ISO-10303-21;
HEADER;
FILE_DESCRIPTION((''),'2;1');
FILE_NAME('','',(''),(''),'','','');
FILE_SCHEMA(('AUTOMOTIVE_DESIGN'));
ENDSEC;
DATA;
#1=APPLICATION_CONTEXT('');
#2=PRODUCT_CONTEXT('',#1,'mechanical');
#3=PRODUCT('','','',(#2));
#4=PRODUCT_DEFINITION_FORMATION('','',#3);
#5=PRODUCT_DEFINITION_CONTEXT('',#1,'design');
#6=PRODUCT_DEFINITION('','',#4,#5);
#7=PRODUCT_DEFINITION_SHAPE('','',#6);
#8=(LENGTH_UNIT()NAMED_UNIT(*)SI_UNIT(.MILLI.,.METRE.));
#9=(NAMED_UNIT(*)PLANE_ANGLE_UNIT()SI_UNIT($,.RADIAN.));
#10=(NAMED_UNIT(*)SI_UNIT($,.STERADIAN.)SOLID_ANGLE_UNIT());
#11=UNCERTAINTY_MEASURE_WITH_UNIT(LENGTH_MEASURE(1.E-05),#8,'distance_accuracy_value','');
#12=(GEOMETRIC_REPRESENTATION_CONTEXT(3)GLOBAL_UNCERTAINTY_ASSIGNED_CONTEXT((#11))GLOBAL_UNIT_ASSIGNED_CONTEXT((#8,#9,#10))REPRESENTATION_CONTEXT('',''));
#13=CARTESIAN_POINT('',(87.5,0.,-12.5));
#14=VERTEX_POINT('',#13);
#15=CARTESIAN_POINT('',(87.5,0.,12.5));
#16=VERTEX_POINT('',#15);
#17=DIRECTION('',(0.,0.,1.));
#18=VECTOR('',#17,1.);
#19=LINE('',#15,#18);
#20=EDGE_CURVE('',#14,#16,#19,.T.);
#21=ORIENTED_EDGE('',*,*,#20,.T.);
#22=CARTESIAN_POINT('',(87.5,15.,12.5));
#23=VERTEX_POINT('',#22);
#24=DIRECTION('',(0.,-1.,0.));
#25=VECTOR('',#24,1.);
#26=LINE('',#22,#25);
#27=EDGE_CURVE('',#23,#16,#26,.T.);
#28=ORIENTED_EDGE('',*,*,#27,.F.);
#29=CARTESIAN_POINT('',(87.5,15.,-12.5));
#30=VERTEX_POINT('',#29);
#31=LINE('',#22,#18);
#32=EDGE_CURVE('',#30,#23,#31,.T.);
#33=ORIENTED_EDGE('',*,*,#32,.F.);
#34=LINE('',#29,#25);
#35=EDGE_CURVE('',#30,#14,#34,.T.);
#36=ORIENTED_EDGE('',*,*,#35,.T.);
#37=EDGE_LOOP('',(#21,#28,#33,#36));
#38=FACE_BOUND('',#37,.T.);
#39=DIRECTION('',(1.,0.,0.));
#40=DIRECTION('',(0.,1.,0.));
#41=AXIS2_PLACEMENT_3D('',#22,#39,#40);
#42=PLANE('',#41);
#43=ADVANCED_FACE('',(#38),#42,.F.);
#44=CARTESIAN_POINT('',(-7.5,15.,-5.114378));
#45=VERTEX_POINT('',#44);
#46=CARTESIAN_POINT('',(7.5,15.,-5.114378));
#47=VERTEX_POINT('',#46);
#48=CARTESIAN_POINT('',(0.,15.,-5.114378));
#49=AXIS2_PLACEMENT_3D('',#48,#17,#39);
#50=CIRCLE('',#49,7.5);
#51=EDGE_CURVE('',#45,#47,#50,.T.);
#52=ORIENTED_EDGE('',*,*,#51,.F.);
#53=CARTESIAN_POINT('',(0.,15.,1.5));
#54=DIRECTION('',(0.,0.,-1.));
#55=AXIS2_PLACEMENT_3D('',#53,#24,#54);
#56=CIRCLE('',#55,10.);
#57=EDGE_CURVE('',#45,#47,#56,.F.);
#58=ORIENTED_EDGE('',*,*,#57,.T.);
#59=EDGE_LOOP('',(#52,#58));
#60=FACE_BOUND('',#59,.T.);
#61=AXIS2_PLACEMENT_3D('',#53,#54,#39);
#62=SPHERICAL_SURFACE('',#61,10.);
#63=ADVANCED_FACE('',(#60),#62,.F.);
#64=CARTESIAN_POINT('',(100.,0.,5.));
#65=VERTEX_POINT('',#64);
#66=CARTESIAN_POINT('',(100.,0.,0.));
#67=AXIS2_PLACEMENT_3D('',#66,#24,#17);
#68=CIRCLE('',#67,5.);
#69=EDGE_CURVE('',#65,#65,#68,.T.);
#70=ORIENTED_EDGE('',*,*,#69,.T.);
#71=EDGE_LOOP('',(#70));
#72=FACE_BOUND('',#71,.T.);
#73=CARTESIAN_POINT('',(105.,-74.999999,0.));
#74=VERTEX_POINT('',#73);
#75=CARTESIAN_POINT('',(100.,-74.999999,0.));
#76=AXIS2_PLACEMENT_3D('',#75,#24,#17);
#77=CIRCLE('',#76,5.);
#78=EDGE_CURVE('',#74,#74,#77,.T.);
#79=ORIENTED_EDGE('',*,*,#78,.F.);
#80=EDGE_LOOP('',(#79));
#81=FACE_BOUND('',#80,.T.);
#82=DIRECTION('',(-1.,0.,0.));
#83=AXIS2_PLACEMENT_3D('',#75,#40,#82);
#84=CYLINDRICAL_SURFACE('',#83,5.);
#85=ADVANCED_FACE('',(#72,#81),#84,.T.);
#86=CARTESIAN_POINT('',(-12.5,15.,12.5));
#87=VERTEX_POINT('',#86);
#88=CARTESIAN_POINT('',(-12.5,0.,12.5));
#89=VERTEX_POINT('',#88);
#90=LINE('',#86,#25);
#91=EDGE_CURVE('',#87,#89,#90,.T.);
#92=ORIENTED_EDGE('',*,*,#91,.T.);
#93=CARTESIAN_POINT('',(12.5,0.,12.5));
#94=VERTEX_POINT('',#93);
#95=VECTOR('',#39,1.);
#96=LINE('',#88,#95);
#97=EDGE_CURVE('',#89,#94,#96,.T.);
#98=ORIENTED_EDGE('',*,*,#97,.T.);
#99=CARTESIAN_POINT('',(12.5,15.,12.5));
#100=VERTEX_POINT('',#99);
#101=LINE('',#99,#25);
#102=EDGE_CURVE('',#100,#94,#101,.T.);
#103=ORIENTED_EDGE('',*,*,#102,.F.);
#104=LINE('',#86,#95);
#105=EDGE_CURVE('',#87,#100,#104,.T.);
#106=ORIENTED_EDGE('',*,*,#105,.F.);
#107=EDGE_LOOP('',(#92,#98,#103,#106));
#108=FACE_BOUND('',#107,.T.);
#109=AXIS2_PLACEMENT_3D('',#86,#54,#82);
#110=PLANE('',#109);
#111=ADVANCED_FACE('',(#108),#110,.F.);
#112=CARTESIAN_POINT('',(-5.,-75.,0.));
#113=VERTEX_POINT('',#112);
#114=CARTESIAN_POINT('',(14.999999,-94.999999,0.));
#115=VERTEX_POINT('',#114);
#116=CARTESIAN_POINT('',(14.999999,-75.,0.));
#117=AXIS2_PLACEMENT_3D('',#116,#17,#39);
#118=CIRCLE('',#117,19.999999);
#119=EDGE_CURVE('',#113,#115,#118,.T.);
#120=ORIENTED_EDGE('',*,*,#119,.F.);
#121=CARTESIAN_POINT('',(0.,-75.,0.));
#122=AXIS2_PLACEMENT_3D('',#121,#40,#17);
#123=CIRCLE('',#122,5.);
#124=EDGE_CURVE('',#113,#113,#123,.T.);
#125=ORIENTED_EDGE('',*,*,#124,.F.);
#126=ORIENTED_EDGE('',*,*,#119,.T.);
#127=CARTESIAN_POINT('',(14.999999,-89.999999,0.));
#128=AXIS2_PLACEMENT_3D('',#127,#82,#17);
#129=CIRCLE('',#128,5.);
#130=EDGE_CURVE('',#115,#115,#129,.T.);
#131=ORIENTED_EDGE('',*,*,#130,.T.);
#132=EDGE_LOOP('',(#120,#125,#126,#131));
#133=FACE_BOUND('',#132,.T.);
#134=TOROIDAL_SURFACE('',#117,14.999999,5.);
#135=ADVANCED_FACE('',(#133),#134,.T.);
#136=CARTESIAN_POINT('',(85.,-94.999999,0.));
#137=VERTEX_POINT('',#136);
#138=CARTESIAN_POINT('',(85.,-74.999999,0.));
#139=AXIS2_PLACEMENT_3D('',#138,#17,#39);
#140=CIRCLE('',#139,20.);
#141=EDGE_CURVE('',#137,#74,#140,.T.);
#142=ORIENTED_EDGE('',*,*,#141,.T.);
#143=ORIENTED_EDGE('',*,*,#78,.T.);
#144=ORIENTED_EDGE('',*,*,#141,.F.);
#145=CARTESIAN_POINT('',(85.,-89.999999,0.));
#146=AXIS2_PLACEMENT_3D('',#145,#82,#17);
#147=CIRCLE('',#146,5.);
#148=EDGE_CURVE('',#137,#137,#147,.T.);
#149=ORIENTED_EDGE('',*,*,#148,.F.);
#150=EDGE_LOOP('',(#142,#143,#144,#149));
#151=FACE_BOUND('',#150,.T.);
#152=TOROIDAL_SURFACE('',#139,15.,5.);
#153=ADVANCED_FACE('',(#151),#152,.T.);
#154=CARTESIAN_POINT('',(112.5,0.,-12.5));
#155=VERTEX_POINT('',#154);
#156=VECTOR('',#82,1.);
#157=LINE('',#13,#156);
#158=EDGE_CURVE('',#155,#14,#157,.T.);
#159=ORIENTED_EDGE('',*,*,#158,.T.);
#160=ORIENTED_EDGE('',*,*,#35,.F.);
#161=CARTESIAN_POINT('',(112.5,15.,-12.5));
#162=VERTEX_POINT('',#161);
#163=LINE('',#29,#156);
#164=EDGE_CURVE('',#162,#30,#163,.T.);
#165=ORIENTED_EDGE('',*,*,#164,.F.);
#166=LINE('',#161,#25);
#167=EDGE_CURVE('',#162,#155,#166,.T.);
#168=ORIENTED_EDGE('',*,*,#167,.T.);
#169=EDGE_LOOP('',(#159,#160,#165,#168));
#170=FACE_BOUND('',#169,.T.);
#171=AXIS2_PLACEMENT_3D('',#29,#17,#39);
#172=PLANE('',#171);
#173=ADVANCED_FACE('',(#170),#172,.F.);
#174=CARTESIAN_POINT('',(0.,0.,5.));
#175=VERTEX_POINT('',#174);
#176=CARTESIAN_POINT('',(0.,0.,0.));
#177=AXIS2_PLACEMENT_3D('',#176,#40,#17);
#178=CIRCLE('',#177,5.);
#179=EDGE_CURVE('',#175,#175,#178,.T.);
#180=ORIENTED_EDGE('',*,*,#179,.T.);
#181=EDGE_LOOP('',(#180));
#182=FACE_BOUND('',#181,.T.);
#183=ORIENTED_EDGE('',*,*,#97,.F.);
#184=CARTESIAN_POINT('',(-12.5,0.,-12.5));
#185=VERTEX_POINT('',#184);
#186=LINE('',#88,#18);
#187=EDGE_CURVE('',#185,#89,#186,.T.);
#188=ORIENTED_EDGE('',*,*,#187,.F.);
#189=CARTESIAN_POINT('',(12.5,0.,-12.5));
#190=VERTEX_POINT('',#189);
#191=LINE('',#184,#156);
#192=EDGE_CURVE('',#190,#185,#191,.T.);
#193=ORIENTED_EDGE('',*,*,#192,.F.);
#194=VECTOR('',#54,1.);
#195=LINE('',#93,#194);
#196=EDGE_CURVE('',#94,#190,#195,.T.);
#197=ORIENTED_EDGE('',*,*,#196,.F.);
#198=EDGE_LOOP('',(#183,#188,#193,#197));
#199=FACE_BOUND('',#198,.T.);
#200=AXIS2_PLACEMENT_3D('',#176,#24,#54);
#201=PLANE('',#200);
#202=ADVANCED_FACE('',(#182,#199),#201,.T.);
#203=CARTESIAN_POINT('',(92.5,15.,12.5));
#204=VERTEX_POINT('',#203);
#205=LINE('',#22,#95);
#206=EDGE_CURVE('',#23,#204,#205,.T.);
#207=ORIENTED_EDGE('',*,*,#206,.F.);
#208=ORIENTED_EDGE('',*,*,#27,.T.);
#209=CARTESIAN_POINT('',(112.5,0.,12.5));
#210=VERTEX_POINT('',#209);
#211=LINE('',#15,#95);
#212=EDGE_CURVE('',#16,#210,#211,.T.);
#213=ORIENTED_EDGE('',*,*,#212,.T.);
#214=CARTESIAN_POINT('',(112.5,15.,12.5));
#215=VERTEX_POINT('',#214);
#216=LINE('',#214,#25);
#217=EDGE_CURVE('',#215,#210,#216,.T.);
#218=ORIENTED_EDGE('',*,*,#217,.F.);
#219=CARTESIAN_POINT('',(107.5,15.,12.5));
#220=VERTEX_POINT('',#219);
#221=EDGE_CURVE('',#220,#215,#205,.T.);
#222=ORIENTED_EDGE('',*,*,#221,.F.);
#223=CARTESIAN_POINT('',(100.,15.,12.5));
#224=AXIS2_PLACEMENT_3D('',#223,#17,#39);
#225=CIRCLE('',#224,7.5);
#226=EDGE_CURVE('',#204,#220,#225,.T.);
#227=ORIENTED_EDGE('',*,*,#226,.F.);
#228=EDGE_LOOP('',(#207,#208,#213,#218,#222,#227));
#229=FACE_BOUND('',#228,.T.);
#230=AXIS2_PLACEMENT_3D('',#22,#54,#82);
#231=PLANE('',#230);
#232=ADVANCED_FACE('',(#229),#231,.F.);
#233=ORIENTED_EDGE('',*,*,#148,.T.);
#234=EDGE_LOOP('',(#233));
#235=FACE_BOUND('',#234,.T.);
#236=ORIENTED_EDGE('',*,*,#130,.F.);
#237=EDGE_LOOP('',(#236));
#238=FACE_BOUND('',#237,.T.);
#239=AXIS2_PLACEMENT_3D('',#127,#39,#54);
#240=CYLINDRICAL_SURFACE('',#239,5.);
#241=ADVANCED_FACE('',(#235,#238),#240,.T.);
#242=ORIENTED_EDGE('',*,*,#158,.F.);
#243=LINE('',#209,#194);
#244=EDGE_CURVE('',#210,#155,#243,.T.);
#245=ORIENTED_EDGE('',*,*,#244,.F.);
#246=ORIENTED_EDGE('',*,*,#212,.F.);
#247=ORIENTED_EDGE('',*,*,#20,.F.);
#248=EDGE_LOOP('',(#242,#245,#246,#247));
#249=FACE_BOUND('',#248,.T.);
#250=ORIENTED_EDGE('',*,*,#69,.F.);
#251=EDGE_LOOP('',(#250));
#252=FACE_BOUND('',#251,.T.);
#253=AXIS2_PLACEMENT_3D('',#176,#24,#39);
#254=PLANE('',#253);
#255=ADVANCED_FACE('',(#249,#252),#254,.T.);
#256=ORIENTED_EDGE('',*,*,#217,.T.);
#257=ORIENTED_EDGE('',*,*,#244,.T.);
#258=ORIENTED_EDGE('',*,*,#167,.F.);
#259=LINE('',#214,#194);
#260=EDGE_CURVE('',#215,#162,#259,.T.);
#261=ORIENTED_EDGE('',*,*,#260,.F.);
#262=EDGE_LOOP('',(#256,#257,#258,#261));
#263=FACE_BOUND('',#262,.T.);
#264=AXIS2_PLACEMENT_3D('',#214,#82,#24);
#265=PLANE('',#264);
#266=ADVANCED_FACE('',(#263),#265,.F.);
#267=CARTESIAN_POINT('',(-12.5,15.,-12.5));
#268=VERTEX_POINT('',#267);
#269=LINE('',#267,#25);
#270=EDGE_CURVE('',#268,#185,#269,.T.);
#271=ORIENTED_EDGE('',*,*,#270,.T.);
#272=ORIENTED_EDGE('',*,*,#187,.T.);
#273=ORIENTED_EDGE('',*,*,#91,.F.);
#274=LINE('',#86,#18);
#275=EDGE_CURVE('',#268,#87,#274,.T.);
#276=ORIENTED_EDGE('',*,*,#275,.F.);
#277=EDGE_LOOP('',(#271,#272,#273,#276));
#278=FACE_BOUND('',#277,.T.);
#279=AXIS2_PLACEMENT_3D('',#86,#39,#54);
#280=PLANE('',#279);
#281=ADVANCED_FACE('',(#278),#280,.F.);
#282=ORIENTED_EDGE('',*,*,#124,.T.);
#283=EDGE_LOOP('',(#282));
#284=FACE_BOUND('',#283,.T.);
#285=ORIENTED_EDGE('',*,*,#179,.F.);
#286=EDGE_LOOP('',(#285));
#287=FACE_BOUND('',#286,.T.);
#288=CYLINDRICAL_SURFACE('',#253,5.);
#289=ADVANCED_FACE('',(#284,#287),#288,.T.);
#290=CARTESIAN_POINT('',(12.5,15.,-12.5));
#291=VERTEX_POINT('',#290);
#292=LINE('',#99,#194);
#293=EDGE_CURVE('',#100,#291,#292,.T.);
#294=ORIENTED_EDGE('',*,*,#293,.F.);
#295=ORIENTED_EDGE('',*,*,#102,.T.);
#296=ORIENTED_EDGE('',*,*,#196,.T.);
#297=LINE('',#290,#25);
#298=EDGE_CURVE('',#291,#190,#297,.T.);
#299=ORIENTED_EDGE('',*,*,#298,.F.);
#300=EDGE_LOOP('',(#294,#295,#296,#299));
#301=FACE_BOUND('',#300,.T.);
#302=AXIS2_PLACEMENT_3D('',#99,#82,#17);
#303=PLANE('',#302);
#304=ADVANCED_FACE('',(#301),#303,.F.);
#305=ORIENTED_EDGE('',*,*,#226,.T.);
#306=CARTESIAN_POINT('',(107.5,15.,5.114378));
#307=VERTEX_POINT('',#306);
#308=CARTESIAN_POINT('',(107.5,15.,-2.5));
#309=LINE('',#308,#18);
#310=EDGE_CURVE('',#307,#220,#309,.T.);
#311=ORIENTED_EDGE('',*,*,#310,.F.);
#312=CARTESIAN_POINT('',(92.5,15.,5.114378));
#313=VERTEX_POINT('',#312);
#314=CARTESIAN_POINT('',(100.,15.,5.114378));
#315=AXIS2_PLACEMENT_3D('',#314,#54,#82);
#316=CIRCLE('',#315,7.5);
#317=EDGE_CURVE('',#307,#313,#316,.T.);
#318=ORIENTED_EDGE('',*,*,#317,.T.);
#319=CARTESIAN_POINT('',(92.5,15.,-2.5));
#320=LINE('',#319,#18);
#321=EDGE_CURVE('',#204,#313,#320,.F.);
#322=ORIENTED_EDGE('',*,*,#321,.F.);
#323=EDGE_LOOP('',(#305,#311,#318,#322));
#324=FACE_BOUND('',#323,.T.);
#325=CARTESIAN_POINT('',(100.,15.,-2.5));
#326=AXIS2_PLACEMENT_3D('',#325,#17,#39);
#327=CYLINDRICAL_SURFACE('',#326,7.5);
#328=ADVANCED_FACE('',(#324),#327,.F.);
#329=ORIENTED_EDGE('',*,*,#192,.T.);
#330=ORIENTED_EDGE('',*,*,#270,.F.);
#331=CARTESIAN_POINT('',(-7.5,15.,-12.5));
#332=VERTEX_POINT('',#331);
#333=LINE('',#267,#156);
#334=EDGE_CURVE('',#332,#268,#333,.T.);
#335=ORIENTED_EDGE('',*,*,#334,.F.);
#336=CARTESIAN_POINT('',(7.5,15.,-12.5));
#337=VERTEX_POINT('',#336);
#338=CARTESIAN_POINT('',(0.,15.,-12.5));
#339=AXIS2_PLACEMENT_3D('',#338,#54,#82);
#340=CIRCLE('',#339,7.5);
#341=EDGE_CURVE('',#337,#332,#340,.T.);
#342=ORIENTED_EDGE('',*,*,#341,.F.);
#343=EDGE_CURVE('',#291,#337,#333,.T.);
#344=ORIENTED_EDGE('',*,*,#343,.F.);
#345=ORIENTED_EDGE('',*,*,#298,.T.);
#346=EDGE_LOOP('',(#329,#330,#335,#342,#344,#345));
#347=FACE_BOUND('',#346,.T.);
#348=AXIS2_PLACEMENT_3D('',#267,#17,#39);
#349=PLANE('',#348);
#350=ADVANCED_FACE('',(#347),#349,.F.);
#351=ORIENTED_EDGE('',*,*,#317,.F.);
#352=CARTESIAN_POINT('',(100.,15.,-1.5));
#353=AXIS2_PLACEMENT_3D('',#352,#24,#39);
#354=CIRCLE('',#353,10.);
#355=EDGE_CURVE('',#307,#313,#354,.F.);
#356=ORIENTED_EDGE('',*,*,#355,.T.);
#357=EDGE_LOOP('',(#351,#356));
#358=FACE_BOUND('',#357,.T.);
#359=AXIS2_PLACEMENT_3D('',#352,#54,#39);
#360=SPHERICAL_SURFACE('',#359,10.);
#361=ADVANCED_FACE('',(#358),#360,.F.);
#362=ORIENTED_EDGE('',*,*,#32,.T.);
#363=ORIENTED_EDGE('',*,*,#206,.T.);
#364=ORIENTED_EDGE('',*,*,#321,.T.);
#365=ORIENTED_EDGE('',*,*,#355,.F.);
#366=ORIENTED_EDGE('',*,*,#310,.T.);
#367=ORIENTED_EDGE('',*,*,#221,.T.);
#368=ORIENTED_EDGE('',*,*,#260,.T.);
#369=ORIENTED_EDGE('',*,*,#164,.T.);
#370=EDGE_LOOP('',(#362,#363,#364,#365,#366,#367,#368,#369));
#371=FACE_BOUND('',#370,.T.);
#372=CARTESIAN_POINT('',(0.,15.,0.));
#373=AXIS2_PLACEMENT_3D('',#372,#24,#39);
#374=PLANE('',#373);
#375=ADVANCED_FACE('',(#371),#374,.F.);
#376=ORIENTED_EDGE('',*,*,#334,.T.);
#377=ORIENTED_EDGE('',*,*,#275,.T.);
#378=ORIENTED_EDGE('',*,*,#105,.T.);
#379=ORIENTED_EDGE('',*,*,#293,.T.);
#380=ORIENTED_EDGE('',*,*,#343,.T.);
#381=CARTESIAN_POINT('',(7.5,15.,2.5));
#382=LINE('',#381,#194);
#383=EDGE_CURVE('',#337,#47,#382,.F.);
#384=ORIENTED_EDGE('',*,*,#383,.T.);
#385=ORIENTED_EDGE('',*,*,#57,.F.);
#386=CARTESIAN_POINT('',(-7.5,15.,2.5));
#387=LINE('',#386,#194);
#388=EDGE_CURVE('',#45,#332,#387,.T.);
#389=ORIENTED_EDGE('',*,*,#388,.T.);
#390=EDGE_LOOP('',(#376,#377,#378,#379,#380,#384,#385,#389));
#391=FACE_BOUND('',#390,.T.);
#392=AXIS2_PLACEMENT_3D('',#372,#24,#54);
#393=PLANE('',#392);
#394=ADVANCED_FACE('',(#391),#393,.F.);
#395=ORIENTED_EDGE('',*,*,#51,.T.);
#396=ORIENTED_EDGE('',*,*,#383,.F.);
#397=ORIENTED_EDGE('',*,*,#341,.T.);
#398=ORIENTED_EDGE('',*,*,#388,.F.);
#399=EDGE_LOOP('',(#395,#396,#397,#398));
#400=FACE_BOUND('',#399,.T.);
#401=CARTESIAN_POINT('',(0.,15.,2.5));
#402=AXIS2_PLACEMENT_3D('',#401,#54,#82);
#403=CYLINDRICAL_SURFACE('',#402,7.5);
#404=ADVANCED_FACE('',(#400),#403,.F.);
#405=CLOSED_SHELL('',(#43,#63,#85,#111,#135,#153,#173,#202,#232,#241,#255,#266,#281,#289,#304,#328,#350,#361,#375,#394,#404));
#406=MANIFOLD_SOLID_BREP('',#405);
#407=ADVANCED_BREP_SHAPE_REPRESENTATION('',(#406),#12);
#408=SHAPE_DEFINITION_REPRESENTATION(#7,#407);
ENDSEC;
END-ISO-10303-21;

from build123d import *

# Parameters (mm, degrees)
SKETCH2_R           = 5
SKETCH4_W           = 25
SKETCH4_H           = 25
BOSS_EXTRUDE1_DEPTH = 15
SKETCH7_R           = 7.5
CUT_EXTRUDE2_DEPTH  = 15
SKETCH15_W          = 25
SKETCH15_H          = 25
BOSS_EXTRUDE3_DEPTH = 15
SKETCH17_R          = 7.5
CUT_EXTRUDE3_DEPTH  = 15


with BuildPart() as part:
    # Sweep1: sweep along a path in Sketch1
    with BuildLine(Plane.XY) as sweep1_path:
        Line((0, 0), (0, -75))
        ThreePointArc((0, -75), (4.393398122, -85.60660133), (14.999999452, -89.999999452))
        Line((14.999999452, -89.999999452), (85, -89.999999452))
        ThreePointArc((85, -89.999999452), (95.606601718, -85.60660117), (100, -74.999999452))
        Line((100, -74.999999452), (100, 0))
    # Sketch2 → Sweep1 (sweep)
    with BuildSketch(Plane(origin=(0, 0, 0), x_dir=(1, 0, 0), z_dir=(0, 1, 0))):
        Circle(SKETCH2_R)
    sweep(path=sweep1_path.line)

    # Sketch4 → Boss-Extrude1 (add)
    with BuildSketch(Plane(origin=(0, 0, 0), x_dir=(1, 0, 0), z_dir=(0, 1, 0))):
        Rectangle(SKETCH4_W, SKETCH4_H)
    extrude(amount=BOSS_EXTRUDE1_DEPTH)

    # Sketch5 → Cut-Revolve1 (revolve, cut)
    with BuildSketch(Plane(origin=(0, 15, 0), x_dir=(1, 0, 0), z_dir=(0, 1, 0))):
        with BuildLine():
            Line((0, 8.5), (0, -11.5))
            ThreePointArc((0, -11.5), (10, -1.5), (0, 8.5))
        make_face()
    revolve(axis=Axis((0, 15, -8.5), (0, 0, 1)), mode=Mode.SUBTRACT)

    # Sketch7 → Cut-Extrude2 (cut)
    with BuildSketch(Plane(origin=(0, 0, -12.5), x_dir=(-1, 0, 0), z_dir=(0, 0, -1))):
        with Locations((0, 15)):
            Circle(SKETCH7_R)
    extrude(amount=-CUT_EXTRUDE2_DEPTH, mode=Mode.SUBTRACT)

    # Sketch15 → Boss-Extrude3 (add)
    with BuildSketch(Plane(origin=(0, 0, 0), x_dir=(1, 0, 0), z_dir=(0, 1, 0))):
        with Locations((100, 0)):
            Rectangle(SKETCH15_W, SKETCH15_H)
    extrude(amount=BOSS_EXTRUDE3_DEPTH)

    # Sketch16 → Cut-Revolve2 (revolve, cut)
    with BuildSketch(Plane(origin=(0, 15, 0), x_dir=(1, 0, 0), z_dir=(0, 1, 0))):
        with BuildLine():
            Line((100, 11.5), (100, -8.5))
            ThreePointArc((100, -8.5), (110, 1.5), (100, 11.5))
        make_face()
    revolve(axis=Axis((100, 15, -11.5), (0, 0, 1)), mode=Mode.SUBTRACT)

    # Sketch17 → Cut-Extrude3 (cut)
    with BuildSketch(Plane.XY.offset(12.5)):
        with Locations((100, 15)):
            Circle(SKETCH17_R)
    extrude(amount=-CUT_EXTRUDE3_DEPTH, mode=Mode.SUBTRACT)


solid = part.part
